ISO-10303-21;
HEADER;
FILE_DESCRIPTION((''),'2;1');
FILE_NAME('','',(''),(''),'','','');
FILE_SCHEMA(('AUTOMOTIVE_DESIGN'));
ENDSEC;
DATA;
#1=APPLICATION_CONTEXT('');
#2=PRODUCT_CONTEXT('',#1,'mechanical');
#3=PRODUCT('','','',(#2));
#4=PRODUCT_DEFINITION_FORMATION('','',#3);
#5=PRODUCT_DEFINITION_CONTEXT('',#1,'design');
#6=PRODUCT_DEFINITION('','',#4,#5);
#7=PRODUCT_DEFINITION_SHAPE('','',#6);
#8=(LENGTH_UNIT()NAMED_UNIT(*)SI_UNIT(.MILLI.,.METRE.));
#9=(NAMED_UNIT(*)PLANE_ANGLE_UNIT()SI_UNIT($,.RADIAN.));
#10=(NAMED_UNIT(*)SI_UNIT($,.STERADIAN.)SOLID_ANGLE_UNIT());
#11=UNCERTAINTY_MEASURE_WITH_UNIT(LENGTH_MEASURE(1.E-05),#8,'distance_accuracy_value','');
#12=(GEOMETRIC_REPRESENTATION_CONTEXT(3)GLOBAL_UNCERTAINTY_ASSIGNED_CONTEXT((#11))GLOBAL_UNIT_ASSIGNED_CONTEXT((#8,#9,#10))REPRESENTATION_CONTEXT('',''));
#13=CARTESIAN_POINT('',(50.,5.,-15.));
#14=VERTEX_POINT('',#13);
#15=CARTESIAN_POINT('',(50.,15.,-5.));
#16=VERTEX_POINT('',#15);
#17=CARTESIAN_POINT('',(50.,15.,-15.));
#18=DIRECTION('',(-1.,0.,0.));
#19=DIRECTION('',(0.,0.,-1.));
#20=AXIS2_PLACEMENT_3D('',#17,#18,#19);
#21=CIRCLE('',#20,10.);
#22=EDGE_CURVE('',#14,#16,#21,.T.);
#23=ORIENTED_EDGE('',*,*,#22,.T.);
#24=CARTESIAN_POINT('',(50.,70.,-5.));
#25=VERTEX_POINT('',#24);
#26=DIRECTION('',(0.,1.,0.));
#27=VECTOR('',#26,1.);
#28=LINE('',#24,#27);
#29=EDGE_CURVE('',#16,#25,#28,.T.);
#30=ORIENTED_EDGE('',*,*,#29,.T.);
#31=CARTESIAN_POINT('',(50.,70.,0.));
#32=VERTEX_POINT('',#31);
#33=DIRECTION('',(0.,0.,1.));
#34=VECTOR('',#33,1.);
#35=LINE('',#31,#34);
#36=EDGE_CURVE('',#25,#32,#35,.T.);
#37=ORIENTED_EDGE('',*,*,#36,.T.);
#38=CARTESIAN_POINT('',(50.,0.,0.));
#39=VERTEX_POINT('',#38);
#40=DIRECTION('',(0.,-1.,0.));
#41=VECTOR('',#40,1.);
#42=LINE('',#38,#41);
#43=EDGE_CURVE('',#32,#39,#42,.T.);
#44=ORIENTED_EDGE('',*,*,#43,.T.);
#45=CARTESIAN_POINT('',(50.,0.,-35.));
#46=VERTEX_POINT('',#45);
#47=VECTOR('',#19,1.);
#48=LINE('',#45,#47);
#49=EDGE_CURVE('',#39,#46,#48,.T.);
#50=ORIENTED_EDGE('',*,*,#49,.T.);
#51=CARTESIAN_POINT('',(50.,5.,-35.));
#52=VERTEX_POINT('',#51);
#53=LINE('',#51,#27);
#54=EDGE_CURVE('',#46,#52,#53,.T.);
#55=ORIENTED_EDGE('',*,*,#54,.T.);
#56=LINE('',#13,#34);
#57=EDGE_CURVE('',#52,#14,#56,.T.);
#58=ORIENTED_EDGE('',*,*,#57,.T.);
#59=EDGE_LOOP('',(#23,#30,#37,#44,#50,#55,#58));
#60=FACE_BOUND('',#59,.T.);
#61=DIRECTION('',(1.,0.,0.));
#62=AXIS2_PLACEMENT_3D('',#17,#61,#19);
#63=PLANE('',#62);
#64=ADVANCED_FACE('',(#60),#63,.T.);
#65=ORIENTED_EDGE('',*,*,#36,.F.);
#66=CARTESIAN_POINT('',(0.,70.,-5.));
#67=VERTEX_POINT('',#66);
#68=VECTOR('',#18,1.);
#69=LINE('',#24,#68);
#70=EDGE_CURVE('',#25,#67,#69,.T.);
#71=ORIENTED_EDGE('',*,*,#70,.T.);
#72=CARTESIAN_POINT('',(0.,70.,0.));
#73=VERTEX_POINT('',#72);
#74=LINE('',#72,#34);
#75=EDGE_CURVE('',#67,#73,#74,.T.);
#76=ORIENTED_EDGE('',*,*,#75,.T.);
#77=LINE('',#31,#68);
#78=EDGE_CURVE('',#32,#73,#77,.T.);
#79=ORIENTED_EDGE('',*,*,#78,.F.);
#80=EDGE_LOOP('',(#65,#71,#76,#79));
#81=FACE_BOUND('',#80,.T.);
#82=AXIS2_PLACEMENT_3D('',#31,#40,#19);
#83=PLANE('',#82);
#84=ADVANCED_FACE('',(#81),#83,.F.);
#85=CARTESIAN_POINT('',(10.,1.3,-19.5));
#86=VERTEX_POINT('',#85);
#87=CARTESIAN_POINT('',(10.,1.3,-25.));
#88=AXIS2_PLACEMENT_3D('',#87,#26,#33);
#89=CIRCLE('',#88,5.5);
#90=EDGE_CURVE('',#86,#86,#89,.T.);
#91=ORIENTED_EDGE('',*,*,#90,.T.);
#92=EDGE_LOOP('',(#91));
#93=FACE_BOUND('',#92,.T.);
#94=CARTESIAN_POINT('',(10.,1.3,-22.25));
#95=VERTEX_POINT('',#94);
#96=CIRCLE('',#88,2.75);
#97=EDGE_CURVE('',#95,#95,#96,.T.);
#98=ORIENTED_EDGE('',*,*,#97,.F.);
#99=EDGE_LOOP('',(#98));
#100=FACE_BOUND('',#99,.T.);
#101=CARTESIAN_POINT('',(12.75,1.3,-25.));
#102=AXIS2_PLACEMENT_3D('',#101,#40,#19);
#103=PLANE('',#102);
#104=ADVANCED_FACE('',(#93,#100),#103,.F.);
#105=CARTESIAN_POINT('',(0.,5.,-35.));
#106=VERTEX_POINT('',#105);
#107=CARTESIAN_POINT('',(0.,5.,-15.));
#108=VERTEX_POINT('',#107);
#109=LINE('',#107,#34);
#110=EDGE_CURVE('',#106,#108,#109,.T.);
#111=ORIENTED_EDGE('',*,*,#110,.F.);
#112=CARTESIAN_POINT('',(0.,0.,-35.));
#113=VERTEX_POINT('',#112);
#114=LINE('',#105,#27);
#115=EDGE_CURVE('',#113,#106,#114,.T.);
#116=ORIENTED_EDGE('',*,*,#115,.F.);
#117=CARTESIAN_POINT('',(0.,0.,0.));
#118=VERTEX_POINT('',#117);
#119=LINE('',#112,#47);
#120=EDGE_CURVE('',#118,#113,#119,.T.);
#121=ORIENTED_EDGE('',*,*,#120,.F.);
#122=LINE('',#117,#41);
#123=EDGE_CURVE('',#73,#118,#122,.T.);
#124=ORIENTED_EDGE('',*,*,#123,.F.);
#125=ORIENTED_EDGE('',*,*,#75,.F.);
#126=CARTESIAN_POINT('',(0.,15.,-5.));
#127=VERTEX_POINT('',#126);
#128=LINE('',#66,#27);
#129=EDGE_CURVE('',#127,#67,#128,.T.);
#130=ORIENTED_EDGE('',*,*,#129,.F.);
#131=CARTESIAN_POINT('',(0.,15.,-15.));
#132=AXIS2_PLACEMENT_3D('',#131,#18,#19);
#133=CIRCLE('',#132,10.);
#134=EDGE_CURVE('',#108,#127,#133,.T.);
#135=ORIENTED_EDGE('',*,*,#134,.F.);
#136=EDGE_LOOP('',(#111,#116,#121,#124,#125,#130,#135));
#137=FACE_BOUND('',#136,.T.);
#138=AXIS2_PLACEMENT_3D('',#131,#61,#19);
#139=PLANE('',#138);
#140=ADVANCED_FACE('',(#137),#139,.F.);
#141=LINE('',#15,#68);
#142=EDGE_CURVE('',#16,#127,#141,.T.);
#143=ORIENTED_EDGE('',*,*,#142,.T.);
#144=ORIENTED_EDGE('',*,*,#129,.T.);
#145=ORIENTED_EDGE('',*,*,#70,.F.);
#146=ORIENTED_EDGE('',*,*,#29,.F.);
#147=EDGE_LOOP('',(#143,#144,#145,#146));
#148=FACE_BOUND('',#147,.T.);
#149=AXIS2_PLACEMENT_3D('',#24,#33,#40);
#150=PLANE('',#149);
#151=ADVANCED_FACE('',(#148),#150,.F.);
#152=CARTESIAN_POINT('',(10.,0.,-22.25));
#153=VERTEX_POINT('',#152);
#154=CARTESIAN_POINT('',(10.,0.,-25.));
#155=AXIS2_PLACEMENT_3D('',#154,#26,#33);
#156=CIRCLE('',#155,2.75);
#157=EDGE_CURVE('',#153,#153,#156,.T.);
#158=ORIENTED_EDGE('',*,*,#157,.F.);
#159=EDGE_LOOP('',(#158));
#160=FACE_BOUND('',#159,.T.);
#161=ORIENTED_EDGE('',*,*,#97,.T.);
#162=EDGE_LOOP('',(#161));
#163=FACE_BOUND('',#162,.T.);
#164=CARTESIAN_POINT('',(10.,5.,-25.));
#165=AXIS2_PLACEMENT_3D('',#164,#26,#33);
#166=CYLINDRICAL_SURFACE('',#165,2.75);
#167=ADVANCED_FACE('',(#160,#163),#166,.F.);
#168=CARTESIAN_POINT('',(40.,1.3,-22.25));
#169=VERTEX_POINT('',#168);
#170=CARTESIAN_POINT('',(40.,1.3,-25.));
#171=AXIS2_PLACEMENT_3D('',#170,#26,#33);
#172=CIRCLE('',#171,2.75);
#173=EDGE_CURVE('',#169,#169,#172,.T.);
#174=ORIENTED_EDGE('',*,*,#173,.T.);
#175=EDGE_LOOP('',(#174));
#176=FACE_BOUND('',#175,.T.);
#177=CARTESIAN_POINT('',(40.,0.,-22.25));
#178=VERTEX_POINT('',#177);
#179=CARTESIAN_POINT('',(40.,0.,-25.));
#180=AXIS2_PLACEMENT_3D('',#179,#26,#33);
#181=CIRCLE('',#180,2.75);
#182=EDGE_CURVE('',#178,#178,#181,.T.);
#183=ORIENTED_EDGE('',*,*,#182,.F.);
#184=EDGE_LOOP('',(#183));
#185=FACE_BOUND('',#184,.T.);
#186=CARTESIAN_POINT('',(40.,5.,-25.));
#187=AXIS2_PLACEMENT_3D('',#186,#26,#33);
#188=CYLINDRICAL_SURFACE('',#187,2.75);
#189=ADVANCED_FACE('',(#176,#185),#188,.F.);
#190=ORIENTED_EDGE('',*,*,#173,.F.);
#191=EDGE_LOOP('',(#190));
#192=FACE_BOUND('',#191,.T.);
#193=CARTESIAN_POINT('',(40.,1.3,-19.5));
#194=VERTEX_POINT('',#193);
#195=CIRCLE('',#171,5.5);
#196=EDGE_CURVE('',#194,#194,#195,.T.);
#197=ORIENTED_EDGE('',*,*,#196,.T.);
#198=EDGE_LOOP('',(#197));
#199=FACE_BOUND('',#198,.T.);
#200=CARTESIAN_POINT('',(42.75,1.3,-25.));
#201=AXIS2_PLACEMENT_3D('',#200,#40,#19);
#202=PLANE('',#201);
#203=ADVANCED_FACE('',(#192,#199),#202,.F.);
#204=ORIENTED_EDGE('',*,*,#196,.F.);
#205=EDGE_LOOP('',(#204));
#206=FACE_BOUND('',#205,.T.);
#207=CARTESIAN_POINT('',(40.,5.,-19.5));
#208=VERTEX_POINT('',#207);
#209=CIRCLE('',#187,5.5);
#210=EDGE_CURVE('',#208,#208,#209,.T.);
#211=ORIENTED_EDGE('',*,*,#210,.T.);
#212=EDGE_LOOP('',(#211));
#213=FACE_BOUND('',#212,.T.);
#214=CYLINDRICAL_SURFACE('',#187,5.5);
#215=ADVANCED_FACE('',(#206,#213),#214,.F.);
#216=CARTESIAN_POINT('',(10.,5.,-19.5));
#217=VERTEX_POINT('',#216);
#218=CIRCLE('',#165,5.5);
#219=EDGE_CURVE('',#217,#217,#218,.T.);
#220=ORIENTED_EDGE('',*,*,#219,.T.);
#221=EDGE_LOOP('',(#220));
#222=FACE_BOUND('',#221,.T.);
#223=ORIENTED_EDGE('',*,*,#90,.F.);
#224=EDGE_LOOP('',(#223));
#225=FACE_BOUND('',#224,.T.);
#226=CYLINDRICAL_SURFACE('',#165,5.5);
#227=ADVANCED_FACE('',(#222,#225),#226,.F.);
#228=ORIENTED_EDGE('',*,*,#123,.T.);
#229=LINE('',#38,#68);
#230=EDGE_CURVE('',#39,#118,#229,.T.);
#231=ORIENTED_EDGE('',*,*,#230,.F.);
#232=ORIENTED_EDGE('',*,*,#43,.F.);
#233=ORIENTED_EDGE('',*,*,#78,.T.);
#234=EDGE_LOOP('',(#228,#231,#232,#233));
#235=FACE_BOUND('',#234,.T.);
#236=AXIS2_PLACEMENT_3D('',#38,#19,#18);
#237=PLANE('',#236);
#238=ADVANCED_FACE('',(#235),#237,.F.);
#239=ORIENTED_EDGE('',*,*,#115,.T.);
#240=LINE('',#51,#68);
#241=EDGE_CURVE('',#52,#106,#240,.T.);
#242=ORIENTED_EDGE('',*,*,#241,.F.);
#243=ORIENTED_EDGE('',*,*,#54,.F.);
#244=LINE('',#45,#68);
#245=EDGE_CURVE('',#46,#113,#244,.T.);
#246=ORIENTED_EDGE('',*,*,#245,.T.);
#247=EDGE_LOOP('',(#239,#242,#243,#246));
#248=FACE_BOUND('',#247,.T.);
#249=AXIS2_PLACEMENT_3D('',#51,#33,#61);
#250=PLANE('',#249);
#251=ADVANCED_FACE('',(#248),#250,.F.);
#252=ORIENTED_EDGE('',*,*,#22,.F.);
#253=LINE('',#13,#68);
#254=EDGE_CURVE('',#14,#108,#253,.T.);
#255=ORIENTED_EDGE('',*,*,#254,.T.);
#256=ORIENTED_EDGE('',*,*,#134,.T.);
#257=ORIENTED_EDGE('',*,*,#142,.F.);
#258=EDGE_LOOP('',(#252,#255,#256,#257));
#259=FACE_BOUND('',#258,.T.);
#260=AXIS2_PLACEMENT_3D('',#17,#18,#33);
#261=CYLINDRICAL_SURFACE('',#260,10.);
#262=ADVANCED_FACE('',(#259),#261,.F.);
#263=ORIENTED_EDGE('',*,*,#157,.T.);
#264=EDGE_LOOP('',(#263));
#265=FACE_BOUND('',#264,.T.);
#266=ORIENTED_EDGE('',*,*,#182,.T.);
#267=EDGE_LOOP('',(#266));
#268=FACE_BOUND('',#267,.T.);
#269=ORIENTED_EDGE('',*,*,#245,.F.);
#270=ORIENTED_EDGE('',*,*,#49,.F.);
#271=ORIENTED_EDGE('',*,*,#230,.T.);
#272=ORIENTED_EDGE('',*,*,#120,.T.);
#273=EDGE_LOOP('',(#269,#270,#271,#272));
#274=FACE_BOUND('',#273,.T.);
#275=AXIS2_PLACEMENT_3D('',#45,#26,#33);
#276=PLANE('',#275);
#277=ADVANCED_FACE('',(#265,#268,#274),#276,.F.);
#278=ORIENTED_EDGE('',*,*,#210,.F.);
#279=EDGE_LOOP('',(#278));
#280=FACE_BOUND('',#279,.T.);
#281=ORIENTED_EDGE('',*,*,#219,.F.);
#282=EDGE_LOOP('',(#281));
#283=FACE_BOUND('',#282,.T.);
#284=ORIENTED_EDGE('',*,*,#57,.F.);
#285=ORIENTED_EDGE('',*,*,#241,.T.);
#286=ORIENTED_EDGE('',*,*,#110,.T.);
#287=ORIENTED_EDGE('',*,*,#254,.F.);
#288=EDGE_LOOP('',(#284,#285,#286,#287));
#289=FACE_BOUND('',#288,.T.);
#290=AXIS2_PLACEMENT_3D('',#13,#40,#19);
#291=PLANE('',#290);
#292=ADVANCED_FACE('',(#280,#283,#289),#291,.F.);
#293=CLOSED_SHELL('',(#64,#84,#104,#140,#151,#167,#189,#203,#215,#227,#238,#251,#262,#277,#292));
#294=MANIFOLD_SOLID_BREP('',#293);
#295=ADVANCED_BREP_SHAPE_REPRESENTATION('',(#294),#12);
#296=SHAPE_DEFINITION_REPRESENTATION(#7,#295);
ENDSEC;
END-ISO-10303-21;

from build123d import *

# Parameters (mm, degrees)
BOSS_EXTRUDE1_DEPTH                      = 50
CBORE_FOR_M5_PAN_HEAD_SCREW1_D           = 5.5
CBORE_FOR_M5_PAN_HEAD_SCREW1_DEPTH       = 30
CBORE_FOR_M5_PAN_HEAD_SCREW1_CBORE_D     = 11
CBORE_FOR_M5_PAN_HEAD_SCREW1_CBORE_DEPTH = 3.7
CBORE_FOR_M5_PAN_HEAD_SCREW1_TIP         = 1.652366702


with BuildPart() as part:
    # Sketch2 → Boss-Extrude1 (new body)
    with BuildSketch(Plane(origin=(0, 0, 0), x_dir=(0, 0, -1), z_dir=(1, 0, 0))):
        with BuildLine():
            Line((0, 0), (0, 70))
            Line((0, 70), (5, 70))
            Line((5, 70), (5, 15))
            ThreePointArc((5, 15), (7.928932188, 7.928932188), (15, 5))
            Line((15, 5), (35, 5))
            Line((35, 5), (35, 0))
            Line((35, 0), (0, 0))
        make_face()
    extrude(amount=BOSS_EXTRUDE1_DEPTH)

    # CBORE for M5 Pan Head Screw1
    with Locations(Plane(origin=(0, 5, 0), x_dir=(1, 0, 0), z_dir=(0, 1, 0))):
        with Locations((40, 25), (10, 25)):
            CounterBoreHole(CBORE_FOR_M5_PAN_HEAD_SCREW1_D / 2, CBORE_FOR_M5_PAN_HEAD_SCREW1_CBORE_D / 2, CBORE_FOR_M5_PAN_HEAD_SCREW1_CBORE_DEPTH, depth=CBORE_FOR_M5_PAN_HEAD_SCREW1_DEPTH)
            with Locations((0, 0, -(CBORE_FOR_M5_PAN_HEAD_SCREW1_DEPTH + CBORE_FOR_M5_PAN_HEAD_SCREW1_TIP / 2))):  # 118° drill point
                Cone(0, CBORE_FOR_M5_PAN_HEAD_SCREW1_D / 2, CBORE_FOR_M5_PAN_HEAD_SCREW1_TIP, mode=Mode.SUBTRACT)


solid = part.part
